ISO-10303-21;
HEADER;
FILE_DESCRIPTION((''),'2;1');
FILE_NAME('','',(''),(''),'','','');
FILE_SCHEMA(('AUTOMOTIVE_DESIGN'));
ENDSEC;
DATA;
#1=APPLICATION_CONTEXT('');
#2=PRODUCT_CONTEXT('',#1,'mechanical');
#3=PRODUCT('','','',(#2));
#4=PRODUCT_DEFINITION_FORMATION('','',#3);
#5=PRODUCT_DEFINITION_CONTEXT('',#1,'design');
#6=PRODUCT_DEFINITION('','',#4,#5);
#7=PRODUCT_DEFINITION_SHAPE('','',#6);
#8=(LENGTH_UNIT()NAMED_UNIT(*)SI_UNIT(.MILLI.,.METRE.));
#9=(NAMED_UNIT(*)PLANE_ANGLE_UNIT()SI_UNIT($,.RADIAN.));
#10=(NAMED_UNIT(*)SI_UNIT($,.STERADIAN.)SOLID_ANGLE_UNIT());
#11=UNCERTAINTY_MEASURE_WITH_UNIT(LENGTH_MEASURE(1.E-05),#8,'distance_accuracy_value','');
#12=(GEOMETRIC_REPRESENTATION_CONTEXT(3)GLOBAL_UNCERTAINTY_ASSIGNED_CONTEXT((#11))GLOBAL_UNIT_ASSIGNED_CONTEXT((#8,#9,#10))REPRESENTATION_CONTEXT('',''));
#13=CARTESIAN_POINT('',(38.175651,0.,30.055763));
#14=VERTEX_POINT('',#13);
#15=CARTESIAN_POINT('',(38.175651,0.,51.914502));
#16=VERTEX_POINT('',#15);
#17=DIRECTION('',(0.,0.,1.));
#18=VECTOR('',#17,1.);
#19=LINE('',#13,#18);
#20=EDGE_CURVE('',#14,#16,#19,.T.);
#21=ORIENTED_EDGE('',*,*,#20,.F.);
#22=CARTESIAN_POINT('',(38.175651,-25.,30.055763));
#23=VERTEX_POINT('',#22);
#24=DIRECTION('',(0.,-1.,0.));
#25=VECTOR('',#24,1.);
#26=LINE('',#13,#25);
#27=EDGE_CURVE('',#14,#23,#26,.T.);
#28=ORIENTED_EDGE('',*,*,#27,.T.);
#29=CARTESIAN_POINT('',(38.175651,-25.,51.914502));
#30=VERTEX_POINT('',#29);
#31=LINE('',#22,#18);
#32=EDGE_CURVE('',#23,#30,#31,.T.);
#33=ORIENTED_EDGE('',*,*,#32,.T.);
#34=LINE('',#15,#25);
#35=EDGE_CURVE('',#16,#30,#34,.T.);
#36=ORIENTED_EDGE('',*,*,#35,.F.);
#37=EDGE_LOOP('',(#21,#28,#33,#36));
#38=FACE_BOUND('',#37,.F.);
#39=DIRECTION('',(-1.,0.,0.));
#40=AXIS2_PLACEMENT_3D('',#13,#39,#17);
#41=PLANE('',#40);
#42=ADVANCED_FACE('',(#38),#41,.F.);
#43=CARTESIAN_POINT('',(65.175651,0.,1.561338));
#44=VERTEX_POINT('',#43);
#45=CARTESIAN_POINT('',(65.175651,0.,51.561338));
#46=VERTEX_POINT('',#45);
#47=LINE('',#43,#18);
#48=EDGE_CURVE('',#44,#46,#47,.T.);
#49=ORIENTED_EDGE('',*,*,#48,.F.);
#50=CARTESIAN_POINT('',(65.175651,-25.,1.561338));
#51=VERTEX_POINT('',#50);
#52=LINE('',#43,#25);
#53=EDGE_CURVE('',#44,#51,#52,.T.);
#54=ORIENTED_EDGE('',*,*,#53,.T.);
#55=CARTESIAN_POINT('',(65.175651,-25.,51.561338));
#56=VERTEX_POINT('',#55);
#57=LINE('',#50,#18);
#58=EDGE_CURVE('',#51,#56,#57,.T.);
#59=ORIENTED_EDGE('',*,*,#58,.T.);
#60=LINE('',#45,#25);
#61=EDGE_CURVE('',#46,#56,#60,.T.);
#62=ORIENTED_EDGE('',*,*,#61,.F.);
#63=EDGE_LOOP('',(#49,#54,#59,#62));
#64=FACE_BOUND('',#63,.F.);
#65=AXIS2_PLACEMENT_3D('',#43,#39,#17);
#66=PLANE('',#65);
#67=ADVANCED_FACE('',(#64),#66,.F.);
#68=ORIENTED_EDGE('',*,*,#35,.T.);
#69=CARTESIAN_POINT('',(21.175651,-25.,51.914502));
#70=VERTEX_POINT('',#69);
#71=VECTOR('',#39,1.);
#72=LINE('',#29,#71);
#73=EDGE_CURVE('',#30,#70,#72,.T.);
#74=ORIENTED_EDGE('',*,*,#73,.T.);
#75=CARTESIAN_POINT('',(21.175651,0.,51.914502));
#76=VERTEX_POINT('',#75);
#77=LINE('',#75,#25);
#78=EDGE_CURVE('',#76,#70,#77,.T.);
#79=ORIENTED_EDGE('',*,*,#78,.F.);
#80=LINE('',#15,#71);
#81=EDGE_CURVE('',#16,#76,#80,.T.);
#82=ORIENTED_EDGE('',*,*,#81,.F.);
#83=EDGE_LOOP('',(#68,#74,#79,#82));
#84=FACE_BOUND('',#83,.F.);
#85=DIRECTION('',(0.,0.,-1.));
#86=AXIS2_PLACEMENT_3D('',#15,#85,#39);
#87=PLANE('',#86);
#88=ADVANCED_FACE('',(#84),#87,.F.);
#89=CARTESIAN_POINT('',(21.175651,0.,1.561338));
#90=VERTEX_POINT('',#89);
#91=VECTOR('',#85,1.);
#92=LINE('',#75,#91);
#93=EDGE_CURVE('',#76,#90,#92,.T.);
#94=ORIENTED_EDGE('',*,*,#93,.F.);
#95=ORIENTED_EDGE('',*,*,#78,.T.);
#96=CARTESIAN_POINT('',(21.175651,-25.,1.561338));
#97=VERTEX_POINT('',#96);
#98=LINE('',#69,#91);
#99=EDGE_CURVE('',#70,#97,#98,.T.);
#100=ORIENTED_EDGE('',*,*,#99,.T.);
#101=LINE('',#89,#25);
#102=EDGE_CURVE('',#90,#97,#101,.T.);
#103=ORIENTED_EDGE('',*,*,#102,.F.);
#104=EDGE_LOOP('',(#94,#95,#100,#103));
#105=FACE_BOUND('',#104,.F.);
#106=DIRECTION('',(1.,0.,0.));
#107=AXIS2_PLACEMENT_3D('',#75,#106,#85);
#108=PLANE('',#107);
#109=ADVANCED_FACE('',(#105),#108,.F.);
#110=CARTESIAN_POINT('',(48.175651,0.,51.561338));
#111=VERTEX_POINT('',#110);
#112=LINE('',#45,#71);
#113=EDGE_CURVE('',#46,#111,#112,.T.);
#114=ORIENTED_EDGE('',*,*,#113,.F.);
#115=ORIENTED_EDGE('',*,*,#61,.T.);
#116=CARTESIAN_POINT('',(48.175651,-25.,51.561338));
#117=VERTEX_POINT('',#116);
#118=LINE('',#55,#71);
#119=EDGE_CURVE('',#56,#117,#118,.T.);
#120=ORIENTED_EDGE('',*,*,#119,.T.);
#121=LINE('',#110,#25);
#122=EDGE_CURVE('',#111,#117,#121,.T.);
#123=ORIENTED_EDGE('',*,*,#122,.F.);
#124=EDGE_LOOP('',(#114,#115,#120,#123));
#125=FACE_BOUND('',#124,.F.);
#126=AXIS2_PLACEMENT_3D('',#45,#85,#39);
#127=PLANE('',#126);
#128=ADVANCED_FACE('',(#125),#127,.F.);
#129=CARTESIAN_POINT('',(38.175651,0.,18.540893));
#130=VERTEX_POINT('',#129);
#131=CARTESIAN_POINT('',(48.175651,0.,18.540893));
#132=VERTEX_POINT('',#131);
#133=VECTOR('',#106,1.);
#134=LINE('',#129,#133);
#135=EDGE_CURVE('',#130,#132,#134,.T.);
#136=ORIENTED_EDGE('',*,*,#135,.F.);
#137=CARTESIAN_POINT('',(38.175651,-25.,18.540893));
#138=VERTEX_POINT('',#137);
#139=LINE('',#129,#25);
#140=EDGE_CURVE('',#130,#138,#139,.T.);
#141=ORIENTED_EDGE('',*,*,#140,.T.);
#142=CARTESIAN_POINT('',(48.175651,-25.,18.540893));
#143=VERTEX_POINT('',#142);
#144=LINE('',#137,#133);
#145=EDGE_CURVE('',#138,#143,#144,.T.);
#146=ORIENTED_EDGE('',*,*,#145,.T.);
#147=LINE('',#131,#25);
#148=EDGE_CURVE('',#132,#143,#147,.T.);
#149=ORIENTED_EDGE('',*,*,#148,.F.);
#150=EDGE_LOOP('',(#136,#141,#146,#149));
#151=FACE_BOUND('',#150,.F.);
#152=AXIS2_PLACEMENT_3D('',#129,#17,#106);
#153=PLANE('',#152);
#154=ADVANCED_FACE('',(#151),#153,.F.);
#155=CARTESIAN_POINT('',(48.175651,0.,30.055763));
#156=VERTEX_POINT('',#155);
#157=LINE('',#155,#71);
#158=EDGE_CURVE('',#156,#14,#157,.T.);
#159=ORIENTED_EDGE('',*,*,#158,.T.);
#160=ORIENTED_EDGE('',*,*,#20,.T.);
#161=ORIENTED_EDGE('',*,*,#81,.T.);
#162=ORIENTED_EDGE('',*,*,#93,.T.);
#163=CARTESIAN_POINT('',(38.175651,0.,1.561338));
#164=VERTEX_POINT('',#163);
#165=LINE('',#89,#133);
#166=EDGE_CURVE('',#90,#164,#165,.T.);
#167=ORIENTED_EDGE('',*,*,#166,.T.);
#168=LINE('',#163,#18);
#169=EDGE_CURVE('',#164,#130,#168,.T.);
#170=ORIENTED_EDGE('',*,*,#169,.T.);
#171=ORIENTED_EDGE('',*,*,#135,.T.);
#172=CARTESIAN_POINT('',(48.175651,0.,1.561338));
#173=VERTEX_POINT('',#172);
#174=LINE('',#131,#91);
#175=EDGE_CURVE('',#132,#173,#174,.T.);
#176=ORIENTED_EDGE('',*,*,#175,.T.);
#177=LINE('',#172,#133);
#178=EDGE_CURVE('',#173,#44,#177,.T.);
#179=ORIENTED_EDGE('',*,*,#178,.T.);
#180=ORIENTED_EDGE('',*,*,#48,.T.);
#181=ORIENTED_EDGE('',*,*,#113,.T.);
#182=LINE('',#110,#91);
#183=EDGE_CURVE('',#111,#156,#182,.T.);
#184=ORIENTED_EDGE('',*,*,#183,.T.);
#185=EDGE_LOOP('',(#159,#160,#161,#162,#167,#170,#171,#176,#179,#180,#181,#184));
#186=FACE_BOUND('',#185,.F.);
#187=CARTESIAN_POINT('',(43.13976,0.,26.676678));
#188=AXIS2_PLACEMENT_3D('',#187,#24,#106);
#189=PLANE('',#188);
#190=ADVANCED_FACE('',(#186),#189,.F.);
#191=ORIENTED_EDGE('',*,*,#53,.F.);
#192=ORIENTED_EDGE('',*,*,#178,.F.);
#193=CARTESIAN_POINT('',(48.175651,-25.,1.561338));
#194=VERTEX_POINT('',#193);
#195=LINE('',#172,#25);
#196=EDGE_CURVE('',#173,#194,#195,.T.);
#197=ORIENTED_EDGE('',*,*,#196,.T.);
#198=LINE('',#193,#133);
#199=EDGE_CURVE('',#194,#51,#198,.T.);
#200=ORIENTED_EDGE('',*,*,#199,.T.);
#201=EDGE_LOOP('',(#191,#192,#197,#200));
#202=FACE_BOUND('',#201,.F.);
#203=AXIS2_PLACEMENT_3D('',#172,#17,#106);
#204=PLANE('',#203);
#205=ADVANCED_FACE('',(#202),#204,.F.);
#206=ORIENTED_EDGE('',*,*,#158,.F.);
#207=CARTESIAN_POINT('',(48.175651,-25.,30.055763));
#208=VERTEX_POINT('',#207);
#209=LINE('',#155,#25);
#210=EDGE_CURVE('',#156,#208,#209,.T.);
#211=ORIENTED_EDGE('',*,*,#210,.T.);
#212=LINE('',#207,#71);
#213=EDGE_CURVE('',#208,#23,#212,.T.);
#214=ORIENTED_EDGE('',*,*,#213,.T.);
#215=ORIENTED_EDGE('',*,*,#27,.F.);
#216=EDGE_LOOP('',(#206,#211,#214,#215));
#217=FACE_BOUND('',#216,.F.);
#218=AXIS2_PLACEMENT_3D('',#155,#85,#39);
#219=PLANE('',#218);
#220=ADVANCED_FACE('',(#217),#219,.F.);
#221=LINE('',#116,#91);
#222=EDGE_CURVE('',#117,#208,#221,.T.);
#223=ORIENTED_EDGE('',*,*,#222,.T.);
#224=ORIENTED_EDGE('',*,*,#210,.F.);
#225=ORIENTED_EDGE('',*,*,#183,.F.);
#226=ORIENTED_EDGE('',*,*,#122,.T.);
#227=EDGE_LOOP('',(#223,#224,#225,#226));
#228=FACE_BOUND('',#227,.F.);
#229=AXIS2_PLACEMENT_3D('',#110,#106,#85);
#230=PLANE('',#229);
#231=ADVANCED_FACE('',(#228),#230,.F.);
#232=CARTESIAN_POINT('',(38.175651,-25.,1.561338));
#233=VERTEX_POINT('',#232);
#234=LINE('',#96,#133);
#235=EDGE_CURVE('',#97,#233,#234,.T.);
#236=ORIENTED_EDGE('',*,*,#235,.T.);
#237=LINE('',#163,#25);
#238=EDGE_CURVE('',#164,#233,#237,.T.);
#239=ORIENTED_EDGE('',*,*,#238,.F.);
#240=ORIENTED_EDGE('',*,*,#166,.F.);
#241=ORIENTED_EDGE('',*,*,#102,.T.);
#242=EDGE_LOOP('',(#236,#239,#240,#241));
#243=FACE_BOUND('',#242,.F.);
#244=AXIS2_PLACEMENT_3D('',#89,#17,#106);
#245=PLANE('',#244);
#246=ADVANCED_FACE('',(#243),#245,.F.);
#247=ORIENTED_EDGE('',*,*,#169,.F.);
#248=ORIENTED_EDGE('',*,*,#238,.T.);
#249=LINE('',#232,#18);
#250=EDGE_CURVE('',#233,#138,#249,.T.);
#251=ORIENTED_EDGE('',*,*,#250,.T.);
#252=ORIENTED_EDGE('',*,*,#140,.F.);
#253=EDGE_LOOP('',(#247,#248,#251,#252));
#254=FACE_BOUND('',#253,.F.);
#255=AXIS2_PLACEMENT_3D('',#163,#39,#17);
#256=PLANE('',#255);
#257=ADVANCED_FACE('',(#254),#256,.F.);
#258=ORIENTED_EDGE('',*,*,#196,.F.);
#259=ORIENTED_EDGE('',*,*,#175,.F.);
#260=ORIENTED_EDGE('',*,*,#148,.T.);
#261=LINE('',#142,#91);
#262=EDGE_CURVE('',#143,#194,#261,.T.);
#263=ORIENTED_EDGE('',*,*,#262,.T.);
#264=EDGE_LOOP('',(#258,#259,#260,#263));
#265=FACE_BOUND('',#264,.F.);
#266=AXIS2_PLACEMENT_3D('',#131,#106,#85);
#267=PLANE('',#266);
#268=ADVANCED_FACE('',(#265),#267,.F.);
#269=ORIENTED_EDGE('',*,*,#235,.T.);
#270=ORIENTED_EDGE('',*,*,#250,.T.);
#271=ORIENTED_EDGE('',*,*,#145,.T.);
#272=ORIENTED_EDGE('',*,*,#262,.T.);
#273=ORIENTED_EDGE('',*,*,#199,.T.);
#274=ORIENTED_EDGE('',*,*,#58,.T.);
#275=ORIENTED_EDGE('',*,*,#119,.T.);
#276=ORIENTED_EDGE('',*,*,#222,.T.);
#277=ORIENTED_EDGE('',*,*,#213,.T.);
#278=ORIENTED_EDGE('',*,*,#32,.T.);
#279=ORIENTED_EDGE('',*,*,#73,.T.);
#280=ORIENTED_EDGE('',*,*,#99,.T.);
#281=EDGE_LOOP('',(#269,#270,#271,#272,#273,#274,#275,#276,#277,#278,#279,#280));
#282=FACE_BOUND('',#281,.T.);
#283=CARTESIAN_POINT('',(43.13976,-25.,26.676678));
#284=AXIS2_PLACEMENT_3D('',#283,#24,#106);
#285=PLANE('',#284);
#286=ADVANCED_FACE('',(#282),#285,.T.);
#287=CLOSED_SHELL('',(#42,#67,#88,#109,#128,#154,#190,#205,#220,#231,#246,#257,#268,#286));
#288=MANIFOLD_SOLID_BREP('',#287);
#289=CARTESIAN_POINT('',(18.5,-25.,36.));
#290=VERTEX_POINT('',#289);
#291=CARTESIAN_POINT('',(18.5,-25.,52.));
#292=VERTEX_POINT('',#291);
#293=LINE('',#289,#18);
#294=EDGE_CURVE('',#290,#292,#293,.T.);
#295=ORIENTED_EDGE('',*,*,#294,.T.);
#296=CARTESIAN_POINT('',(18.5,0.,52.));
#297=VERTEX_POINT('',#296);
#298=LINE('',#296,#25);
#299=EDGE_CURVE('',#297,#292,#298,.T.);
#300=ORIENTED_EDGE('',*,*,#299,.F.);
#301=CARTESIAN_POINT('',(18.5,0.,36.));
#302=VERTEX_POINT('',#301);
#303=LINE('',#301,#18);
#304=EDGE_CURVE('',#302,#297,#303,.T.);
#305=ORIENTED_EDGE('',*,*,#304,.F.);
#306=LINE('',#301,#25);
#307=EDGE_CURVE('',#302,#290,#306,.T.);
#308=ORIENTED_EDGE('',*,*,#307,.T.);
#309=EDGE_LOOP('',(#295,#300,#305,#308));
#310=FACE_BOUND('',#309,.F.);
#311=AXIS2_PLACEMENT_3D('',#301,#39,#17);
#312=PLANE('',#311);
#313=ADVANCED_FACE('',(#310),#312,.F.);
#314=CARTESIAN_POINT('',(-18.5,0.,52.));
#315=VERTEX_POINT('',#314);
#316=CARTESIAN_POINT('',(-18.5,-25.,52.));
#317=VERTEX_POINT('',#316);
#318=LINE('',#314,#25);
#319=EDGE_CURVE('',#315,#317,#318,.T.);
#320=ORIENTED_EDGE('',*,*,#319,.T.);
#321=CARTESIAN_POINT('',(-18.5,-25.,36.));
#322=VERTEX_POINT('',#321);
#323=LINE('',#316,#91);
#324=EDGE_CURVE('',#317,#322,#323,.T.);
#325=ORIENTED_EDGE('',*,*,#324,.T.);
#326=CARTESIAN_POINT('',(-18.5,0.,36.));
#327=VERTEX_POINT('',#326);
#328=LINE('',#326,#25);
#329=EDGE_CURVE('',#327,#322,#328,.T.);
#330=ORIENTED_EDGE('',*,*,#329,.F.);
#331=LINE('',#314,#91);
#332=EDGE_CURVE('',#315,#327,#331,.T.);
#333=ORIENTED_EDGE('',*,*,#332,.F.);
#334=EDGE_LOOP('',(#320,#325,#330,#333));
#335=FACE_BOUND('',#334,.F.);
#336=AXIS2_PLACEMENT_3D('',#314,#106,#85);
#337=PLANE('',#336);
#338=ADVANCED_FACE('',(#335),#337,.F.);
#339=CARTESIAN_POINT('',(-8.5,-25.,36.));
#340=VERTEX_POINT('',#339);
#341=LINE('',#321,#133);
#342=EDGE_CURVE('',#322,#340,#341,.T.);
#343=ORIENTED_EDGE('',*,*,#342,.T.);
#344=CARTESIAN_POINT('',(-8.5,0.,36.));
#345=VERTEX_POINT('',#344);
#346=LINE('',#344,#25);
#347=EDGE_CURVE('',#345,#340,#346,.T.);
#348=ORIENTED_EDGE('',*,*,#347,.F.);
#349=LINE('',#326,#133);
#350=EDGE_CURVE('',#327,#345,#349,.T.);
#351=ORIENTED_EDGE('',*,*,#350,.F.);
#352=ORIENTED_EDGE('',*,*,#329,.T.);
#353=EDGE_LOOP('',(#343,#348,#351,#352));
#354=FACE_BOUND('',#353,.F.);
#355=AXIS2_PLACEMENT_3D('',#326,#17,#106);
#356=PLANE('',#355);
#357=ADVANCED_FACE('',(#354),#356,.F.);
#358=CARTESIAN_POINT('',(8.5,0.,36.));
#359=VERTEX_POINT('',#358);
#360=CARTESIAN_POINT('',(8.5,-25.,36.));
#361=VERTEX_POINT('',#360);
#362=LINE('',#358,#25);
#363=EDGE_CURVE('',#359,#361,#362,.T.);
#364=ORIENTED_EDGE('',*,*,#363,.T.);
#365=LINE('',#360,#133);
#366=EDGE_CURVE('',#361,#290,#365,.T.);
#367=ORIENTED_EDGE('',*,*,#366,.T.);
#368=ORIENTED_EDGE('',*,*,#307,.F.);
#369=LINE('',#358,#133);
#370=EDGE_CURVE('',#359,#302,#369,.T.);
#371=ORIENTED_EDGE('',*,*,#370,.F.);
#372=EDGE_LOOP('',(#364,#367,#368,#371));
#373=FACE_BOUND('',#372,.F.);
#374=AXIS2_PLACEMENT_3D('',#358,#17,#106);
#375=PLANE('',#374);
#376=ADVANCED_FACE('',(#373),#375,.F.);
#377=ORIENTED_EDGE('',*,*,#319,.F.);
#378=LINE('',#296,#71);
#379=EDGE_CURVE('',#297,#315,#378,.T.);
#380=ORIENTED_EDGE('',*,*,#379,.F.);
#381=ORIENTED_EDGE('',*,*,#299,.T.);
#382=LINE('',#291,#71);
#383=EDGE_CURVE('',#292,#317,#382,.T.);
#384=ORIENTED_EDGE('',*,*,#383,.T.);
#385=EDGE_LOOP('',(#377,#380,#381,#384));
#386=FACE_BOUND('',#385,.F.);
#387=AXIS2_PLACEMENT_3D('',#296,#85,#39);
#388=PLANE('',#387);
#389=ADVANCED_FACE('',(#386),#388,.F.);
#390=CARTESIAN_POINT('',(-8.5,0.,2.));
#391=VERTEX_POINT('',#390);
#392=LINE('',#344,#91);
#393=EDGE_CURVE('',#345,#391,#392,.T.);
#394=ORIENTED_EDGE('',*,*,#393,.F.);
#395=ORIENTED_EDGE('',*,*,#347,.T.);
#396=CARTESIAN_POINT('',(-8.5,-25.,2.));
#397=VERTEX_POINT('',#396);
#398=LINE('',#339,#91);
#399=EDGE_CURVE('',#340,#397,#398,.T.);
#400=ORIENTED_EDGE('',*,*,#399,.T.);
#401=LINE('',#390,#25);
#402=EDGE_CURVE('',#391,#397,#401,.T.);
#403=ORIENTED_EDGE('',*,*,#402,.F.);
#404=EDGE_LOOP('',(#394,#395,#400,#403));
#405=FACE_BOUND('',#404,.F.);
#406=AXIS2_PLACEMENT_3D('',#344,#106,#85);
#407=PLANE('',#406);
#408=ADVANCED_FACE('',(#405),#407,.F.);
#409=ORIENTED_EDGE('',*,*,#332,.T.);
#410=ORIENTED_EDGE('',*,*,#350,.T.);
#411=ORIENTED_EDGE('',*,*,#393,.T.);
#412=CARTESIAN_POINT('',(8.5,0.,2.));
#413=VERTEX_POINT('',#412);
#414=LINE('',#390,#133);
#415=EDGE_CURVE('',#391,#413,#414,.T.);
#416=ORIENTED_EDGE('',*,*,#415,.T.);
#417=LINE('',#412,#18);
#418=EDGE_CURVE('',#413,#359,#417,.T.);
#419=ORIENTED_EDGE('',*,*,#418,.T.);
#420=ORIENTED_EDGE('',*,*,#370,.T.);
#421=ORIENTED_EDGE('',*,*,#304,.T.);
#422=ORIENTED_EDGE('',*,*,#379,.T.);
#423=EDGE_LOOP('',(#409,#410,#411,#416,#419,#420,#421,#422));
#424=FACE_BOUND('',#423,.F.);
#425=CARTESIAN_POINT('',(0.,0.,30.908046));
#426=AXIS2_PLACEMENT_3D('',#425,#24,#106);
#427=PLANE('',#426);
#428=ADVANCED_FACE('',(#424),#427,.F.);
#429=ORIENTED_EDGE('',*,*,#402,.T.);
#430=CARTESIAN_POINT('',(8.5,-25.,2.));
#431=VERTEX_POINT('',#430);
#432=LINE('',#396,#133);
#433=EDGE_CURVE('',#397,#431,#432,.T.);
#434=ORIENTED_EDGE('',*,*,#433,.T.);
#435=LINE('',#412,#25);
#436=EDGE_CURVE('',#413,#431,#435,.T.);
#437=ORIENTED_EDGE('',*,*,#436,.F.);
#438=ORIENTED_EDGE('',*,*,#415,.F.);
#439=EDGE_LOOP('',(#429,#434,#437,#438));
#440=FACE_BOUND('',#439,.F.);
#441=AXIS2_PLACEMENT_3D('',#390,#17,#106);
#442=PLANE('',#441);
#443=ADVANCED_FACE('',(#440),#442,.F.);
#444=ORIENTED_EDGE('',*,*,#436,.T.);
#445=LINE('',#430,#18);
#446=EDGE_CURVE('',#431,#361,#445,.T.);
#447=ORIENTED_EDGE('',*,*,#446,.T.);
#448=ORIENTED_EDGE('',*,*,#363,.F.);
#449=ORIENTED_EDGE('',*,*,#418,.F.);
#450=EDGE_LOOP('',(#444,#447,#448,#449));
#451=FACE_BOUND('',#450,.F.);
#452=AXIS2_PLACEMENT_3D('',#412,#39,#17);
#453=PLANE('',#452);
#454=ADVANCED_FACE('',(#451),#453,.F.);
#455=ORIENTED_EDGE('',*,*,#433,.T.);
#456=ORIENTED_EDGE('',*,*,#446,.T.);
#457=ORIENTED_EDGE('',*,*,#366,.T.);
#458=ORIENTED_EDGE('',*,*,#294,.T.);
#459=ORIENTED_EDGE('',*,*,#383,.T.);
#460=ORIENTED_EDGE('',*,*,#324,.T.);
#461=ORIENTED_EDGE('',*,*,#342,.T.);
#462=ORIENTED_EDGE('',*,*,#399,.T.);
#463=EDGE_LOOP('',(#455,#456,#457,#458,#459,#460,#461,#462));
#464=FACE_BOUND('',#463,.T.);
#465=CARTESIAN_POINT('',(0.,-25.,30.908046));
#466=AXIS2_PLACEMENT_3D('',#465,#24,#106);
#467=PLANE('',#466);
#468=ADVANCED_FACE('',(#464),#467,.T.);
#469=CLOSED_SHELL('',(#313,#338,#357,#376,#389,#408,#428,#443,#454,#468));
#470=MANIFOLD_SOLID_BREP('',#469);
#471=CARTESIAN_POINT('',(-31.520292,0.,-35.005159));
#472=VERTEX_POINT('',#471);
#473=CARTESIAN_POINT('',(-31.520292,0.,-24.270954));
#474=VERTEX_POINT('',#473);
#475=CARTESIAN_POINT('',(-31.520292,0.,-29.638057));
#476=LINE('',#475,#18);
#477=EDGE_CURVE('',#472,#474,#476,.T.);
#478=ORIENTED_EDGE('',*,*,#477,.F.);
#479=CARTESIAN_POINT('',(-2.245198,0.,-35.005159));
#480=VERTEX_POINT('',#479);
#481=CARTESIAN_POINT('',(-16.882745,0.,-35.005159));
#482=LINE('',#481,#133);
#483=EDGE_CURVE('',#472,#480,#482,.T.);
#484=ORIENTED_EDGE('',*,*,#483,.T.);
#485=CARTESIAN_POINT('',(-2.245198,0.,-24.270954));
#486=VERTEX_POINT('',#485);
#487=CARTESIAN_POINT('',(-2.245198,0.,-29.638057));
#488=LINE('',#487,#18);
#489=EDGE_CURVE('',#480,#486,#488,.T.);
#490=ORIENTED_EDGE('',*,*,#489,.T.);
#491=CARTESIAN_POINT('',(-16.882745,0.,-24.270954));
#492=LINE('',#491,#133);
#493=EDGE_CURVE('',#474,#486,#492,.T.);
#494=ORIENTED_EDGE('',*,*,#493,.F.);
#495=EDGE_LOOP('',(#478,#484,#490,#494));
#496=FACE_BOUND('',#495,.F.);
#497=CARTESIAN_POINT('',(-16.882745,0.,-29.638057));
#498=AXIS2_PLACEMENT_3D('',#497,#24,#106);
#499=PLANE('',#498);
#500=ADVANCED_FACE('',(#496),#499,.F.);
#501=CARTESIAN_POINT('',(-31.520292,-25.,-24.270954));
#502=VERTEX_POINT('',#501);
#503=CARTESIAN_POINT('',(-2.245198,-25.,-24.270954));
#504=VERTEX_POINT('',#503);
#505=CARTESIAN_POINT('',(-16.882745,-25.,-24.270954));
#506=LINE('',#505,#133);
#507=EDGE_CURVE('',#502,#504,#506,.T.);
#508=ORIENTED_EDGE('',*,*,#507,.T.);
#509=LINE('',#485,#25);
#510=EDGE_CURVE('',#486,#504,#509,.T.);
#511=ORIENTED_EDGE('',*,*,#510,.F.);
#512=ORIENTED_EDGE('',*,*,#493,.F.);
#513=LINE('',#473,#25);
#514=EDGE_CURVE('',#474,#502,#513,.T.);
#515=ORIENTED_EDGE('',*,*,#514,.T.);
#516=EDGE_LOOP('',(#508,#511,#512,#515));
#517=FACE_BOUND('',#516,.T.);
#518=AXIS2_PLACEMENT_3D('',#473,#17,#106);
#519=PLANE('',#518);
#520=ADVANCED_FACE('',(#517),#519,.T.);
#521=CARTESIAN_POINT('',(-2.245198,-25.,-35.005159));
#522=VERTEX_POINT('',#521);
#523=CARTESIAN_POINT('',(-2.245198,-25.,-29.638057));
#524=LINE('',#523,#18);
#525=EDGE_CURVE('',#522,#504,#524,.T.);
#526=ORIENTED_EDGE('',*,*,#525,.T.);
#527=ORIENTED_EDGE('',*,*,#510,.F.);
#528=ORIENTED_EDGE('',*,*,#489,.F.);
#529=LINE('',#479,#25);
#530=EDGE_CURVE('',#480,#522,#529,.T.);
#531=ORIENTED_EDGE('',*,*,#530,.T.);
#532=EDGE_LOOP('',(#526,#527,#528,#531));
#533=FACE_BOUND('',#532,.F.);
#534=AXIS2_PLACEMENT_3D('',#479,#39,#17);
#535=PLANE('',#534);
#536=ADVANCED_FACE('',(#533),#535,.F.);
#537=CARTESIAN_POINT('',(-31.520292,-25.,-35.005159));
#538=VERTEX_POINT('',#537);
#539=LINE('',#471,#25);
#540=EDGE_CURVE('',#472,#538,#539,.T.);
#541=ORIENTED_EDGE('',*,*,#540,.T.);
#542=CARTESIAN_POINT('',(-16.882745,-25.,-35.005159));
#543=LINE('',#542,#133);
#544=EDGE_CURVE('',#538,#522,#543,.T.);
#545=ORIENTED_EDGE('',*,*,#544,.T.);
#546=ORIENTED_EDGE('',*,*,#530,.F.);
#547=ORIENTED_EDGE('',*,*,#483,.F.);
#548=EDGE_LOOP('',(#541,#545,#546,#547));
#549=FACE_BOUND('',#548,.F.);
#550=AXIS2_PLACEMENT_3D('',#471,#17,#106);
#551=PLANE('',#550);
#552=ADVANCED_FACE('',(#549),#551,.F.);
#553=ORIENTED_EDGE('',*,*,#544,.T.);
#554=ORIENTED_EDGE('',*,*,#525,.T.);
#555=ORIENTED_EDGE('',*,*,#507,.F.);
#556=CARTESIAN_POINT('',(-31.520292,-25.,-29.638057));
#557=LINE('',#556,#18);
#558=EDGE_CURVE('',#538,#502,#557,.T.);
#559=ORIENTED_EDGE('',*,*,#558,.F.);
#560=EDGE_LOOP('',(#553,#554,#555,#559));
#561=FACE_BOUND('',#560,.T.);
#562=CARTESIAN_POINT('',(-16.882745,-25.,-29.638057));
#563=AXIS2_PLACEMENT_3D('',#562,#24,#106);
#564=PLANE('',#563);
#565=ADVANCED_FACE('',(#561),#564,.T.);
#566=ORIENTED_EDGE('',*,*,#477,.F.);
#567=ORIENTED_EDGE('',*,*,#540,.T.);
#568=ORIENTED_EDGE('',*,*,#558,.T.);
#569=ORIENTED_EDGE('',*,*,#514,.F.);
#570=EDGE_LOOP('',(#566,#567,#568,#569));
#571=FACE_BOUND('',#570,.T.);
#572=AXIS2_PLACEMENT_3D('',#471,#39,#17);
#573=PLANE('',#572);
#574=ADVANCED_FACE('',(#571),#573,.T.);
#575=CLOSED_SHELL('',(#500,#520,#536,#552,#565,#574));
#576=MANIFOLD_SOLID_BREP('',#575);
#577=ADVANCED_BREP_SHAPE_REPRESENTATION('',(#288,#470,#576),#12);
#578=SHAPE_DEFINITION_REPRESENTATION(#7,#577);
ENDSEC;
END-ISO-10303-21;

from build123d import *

# Parameters (mm, degrees)
F0_W     = 29.275094
F0_H     = 10.734205
F1_DEPTH = 25


with BuildPart() as f1:
    # F0 (on Front) → F1 (new body)
    with BuildSketch(Plane.XZ):
        Polygon((18.5, 52), (-18.5, 52), (-18.5, 36), (-8.5, 36), (-8.5, 2), (8.5, 2), (8.5, 36), (18.5, 36), align=None)
        Polygon((38.175651, 30.055763), (38.175651, 51.914502), (21.175651, 51.914502), (21.175651, 1.561338), (38.175651, 1.561338), (38.175651, 18.540893), (48.175651, 18.540893), (48.175651, 1.561338), (65.175651, 1.561338), (65.175651, 51.561338), (48.175651, 51.561338), (48.175651, 30.055763), align=None)
        with Locations((-16.882745, -29.638057)):
            Rectangle(F0_W, F0_H)
    extrude(amount=F1_DEPTH)


solid = f1.part
